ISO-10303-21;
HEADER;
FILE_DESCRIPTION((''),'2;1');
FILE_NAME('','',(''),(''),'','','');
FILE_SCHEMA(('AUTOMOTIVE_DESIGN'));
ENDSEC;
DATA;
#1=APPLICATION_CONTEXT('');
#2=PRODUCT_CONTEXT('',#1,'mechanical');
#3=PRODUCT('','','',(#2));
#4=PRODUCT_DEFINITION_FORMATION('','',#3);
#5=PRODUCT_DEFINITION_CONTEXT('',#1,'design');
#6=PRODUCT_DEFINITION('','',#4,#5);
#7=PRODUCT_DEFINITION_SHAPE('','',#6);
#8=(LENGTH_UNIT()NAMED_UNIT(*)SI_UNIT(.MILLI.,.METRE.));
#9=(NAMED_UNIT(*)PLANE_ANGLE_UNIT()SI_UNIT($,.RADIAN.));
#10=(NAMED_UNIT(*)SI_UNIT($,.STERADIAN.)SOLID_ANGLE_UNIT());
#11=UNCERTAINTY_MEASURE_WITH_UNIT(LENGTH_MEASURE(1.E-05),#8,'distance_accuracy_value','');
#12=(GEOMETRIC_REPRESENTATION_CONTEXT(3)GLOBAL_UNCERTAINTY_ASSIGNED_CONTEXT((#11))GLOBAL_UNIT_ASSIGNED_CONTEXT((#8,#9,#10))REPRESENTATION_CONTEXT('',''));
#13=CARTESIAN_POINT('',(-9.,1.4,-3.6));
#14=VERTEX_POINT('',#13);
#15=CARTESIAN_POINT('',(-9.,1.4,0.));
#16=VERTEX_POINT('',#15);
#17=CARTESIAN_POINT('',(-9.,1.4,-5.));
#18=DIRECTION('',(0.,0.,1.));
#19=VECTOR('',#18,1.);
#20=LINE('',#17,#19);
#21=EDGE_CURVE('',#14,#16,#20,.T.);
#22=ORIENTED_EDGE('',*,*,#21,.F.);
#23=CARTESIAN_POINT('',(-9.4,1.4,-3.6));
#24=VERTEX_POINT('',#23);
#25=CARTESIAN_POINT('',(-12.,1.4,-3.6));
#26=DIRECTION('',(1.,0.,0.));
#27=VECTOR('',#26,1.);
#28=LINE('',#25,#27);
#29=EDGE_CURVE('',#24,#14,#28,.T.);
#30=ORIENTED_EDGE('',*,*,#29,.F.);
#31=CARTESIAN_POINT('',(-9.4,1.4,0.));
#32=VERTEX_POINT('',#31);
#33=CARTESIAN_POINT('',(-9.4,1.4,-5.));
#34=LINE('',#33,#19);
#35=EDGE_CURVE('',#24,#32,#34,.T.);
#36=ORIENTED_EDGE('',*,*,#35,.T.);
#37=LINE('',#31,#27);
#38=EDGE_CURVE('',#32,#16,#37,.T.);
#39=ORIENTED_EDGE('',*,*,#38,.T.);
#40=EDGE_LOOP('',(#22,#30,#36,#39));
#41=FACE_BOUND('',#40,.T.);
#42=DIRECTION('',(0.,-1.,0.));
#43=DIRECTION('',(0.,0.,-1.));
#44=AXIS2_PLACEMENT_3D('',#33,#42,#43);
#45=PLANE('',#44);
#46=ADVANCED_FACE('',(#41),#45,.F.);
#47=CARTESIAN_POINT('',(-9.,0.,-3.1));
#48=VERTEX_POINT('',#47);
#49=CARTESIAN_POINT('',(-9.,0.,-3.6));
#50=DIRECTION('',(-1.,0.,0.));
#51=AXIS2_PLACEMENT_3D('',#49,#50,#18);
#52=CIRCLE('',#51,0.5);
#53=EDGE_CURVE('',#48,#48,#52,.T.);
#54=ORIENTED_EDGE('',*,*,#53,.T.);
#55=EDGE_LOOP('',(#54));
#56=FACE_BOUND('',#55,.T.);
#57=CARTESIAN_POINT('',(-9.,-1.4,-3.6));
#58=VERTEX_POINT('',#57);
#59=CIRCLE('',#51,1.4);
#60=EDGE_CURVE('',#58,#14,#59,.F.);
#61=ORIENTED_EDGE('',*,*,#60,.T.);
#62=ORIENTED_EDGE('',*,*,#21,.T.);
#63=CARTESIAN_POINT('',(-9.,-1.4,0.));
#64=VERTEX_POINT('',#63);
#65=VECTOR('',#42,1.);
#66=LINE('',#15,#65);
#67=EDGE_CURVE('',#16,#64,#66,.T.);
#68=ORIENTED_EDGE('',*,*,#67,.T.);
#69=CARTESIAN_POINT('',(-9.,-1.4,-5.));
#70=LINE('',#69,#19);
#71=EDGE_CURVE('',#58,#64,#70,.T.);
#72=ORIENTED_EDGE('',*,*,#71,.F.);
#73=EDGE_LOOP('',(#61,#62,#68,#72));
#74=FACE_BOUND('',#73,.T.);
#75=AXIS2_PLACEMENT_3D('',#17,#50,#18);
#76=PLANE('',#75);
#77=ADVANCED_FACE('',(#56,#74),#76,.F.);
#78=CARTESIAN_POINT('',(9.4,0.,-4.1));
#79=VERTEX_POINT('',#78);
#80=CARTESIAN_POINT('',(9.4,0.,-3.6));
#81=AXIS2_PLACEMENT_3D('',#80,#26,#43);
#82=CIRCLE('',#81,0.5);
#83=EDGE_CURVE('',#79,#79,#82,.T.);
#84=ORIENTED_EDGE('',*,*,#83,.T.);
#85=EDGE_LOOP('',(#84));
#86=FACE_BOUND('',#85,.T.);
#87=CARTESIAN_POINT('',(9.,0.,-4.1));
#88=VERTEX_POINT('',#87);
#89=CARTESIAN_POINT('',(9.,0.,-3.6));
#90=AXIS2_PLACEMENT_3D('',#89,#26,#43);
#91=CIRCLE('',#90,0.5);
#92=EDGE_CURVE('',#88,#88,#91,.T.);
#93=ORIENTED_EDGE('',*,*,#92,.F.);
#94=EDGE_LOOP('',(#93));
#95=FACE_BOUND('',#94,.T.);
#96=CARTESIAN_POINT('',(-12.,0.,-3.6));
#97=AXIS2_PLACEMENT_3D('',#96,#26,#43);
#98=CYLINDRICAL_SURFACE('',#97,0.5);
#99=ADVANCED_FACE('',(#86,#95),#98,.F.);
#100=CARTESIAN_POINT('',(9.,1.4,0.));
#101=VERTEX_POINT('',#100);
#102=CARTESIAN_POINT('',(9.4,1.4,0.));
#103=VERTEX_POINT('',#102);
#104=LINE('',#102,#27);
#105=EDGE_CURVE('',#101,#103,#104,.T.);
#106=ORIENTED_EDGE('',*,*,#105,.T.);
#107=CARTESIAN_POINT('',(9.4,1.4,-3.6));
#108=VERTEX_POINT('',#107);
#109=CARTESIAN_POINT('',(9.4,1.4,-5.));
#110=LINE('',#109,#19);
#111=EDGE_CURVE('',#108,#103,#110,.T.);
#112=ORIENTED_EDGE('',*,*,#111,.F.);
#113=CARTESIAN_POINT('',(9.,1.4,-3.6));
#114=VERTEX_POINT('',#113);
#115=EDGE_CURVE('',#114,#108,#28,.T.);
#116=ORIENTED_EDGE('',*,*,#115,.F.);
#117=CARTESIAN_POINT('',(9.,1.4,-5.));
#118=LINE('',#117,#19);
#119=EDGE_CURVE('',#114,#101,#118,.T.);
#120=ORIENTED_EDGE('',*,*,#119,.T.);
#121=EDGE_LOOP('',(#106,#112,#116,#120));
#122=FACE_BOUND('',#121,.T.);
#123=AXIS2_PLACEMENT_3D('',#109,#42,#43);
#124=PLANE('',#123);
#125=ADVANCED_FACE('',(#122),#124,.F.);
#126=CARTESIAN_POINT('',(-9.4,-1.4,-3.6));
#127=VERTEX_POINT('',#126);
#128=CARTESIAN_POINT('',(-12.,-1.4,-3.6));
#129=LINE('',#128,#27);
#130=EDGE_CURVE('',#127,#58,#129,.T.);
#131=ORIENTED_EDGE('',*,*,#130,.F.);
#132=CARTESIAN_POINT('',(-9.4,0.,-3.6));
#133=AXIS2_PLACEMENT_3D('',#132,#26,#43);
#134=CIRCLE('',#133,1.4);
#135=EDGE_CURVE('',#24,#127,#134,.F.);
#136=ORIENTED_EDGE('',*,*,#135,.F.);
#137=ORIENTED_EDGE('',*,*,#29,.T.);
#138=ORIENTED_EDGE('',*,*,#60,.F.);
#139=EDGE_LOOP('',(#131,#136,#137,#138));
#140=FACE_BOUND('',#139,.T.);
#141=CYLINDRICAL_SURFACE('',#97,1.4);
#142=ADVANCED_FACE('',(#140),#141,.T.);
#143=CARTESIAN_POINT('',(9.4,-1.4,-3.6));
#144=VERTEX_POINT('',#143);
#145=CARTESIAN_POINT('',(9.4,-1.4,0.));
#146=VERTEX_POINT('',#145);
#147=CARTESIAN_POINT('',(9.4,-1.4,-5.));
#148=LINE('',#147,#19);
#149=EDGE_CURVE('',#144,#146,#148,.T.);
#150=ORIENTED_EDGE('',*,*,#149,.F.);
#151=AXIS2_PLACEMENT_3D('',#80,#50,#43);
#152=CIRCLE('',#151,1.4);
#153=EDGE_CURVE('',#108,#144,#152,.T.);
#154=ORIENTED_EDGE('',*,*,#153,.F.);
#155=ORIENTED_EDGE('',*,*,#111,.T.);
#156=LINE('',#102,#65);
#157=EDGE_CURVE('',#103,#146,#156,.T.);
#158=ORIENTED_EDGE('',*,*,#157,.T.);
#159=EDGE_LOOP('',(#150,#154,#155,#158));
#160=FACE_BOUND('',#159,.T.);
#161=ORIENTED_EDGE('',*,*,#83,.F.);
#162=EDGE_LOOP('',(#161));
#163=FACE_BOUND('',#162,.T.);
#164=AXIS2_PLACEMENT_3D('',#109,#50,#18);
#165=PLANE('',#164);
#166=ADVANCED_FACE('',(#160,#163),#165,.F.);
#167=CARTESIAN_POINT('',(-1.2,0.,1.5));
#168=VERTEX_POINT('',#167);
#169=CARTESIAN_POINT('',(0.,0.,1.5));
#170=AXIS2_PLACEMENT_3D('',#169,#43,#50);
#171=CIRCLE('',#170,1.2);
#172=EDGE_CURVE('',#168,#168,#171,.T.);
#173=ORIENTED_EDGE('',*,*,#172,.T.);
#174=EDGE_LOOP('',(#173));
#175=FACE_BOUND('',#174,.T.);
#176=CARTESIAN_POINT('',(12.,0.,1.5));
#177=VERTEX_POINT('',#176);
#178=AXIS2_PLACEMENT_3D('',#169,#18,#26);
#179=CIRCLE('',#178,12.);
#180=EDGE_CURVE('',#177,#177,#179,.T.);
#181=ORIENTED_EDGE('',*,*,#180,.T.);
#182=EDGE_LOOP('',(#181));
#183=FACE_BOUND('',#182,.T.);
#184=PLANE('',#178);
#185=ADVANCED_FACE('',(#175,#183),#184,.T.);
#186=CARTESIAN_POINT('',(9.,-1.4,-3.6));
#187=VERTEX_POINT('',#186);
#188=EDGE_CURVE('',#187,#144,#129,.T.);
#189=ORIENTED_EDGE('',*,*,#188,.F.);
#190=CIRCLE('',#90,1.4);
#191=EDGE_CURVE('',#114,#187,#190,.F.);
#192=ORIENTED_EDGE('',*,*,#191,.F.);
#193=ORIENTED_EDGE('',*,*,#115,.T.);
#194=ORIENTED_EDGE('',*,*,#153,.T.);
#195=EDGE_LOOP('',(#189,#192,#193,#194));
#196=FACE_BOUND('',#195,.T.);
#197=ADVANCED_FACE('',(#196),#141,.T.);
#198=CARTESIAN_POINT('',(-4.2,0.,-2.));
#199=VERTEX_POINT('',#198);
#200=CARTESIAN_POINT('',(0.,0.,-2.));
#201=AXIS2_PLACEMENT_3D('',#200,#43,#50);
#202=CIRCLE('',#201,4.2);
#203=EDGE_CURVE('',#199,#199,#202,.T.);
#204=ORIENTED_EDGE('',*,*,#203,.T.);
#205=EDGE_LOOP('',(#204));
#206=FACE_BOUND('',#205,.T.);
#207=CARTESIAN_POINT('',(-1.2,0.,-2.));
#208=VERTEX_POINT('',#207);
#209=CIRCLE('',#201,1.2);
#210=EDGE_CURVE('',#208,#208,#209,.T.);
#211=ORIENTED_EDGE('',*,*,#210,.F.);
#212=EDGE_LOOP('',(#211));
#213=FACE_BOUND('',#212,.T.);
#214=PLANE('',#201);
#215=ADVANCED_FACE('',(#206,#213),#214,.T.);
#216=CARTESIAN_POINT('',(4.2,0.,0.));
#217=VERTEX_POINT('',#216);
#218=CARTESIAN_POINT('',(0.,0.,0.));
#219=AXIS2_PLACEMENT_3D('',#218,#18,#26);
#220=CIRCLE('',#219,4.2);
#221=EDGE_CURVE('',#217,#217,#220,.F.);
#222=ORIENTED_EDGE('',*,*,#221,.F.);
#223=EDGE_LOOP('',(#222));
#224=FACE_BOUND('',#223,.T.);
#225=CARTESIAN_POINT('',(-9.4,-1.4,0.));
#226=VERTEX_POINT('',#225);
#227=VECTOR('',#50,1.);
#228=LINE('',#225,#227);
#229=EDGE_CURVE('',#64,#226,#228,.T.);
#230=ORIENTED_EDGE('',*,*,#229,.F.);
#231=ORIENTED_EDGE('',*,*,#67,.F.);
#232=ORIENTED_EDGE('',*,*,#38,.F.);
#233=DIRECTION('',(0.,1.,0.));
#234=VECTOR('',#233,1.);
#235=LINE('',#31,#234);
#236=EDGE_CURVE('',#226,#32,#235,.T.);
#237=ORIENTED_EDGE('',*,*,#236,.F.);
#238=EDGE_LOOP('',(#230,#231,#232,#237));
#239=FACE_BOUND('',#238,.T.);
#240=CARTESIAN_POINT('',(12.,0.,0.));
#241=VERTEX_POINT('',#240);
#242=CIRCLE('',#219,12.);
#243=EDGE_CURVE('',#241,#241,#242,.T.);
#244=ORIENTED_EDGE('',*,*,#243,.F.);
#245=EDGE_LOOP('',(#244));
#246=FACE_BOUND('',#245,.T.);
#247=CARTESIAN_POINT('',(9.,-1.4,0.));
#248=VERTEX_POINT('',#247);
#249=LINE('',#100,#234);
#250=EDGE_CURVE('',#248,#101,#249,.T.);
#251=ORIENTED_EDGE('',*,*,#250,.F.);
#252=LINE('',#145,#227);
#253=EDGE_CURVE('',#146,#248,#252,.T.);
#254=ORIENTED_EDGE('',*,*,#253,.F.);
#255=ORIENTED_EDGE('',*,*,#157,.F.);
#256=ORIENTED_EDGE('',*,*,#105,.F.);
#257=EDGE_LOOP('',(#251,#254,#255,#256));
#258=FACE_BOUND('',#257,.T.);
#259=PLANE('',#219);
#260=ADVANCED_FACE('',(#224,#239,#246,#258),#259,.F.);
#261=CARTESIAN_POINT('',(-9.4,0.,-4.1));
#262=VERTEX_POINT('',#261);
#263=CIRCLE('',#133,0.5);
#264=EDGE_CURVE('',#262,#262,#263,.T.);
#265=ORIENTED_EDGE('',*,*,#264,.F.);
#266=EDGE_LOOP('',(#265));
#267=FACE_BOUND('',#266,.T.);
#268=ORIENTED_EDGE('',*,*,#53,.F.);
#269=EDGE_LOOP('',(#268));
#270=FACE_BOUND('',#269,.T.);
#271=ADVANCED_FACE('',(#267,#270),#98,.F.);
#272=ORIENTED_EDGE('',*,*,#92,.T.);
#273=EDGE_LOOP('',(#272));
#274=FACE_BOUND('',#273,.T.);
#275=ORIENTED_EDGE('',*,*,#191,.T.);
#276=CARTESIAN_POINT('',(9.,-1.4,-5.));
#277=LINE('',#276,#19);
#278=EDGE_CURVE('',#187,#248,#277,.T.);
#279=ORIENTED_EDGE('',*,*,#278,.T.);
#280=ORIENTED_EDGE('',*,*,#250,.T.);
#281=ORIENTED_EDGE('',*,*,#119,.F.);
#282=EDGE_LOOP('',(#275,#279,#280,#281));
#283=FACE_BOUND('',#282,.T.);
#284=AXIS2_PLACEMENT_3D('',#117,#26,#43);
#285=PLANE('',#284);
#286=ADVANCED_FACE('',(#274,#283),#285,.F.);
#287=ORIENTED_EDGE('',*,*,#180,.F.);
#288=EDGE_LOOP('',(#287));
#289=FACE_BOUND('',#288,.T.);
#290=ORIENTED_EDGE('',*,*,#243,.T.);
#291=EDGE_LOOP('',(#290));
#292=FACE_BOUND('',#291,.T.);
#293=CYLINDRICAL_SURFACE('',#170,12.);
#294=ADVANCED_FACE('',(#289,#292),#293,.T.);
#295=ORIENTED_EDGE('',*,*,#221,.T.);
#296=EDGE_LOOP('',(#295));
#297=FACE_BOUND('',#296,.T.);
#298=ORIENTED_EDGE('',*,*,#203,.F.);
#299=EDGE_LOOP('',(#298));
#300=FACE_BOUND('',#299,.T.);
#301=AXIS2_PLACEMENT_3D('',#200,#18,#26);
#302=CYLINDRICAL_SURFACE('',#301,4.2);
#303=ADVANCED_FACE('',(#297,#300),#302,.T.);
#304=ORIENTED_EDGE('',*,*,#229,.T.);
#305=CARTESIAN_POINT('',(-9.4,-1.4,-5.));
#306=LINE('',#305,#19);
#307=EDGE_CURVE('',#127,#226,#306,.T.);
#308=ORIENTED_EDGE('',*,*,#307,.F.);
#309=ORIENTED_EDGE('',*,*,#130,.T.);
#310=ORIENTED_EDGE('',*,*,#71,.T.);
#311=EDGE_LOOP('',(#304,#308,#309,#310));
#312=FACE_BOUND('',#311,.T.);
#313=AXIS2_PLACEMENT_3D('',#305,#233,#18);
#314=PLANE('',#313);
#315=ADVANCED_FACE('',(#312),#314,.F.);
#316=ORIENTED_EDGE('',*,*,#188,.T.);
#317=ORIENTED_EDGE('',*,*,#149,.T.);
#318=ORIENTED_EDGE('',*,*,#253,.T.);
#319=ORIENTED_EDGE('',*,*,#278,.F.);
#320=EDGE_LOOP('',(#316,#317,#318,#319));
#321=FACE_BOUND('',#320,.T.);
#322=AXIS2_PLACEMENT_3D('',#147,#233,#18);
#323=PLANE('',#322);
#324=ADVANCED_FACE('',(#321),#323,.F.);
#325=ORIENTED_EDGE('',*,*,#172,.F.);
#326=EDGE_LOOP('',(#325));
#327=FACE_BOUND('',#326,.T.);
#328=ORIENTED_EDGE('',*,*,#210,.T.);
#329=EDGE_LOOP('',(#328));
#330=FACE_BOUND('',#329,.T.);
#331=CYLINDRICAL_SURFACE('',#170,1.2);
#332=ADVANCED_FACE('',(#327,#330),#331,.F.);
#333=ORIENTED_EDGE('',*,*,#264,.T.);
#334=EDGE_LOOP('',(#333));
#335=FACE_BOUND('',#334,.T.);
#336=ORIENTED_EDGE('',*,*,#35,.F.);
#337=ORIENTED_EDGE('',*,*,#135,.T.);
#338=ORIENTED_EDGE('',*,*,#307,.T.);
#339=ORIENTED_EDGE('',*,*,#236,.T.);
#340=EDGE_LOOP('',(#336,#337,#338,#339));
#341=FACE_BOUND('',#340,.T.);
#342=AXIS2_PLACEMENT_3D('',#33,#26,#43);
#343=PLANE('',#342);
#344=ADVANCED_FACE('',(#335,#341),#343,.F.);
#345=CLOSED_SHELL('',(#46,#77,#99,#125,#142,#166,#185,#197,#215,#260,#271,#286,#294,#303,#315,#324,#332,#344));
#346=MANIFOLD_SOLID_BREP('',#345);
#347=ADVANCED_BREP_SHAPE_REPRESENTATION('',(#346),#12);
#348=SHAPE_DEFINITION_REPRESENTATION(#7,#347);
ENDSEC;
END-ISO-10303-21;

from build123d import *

# Parameters (mm, degrees)
ESQUISSE1_R             = 12
EXTRUSION1_DEPTH        = 1.5
ESQUISSE2_W             = 0.4
ESQUISSE2_H             = 2.8
EXTRUSION2_DEPTH        = 5
ESQUISSE3_R             = 4.2
EXTRUSION3_DEPTH        = 2
ESQUISSE4_R             = 0.5
ENL_V_MAT_EXTRU_1_DEPTH = 22.4
ESQUISSE5_R             = 1.2
ENL_V_MAT_EXTRU_2_DEPTH = 4.5


with BuildPart() as part:
    # Esquisse1 → Extrusion1 (new body)
    with BuildSketch(Plane.XY):
        Circle(ESQUISSE1_R)
    extrude(amount=EXTRUSION1_DEPTH)

    # Esquisse2 → Extrusion2 (add)
    with BuildSketch(Plane(origin=(0, 0, 0), x_dir=(-1, 0, 0), z_dir=(0, 0, -1))):
        with Locations((9.2, 0)):
            Rectangle(ESQUISSE2_W, ESQUISSE2_H)
        with Locations((-9.2, 0)):
            Rectangle(ESQUISSE2_W, ESQUISSE2_H)
    extrude(amount=EXTRUSION2_DEPTH)

    # Esquisse3 → Extrusion3 (add)
    with BuildSketch(Plane(origin=(0, 0, 0), x_dir=(-1, 0, 0), z_dir=(0, 0, -1))):
        with Locations(Location((0, 0, 0), (0, 0, 180))):  # turned: the seam where the file's is
            Circle(ESQUISSE3_R)
    extrude(amount=EXTRUSION3_DEPTH)

    # Esquisse4 → Enlèv. mat.-Extru.1 (cut, through all)
    with BuildSketch(Plane(origin=(9.4, 0, 0), x_dir=(0, 0, -1), z_dir=(1, 0, 0))):
        with Locations((3.6, 0)):
            Circle(ESQUISSE4_R)
        with BuildLine():
            Line((3.6, 1.4), (3.6, 1.511382549))
            Line((3.6, 1.511382549), (5.122212009, 1.511382549))
            Line((5.122212009, 1.511382549), (5.122212009, -1.492036709))
            Line((5.122212009, -1.492036709), (3.6, -1.492036709))
            Line((3.6, -1.492036709), (3.6, -1.4))
            ThreePointArc((3.6, -1.4), (5, 0), (3.6, 1.4))
        make_face()
    extrude(amount=-ENL_V_MAT_EXTRU_1_DEPTH, mode=Mode.SUBTRACT)

    # Esquisse5 → Enlèv. mat.-Extru.2 (cut, through all)
    with BuildSketch(Plane(origin=(0, 0, -2), x_dir=(-1, 0, 0), z_dir=(0, 0, -1))):
        Circle(ESQUISSE5_R)
    extrude(amount=-ENL_V_MAT_EXTRU_2_DEPTH, mode=Mode.SUBTRACT)


solid = part.part
